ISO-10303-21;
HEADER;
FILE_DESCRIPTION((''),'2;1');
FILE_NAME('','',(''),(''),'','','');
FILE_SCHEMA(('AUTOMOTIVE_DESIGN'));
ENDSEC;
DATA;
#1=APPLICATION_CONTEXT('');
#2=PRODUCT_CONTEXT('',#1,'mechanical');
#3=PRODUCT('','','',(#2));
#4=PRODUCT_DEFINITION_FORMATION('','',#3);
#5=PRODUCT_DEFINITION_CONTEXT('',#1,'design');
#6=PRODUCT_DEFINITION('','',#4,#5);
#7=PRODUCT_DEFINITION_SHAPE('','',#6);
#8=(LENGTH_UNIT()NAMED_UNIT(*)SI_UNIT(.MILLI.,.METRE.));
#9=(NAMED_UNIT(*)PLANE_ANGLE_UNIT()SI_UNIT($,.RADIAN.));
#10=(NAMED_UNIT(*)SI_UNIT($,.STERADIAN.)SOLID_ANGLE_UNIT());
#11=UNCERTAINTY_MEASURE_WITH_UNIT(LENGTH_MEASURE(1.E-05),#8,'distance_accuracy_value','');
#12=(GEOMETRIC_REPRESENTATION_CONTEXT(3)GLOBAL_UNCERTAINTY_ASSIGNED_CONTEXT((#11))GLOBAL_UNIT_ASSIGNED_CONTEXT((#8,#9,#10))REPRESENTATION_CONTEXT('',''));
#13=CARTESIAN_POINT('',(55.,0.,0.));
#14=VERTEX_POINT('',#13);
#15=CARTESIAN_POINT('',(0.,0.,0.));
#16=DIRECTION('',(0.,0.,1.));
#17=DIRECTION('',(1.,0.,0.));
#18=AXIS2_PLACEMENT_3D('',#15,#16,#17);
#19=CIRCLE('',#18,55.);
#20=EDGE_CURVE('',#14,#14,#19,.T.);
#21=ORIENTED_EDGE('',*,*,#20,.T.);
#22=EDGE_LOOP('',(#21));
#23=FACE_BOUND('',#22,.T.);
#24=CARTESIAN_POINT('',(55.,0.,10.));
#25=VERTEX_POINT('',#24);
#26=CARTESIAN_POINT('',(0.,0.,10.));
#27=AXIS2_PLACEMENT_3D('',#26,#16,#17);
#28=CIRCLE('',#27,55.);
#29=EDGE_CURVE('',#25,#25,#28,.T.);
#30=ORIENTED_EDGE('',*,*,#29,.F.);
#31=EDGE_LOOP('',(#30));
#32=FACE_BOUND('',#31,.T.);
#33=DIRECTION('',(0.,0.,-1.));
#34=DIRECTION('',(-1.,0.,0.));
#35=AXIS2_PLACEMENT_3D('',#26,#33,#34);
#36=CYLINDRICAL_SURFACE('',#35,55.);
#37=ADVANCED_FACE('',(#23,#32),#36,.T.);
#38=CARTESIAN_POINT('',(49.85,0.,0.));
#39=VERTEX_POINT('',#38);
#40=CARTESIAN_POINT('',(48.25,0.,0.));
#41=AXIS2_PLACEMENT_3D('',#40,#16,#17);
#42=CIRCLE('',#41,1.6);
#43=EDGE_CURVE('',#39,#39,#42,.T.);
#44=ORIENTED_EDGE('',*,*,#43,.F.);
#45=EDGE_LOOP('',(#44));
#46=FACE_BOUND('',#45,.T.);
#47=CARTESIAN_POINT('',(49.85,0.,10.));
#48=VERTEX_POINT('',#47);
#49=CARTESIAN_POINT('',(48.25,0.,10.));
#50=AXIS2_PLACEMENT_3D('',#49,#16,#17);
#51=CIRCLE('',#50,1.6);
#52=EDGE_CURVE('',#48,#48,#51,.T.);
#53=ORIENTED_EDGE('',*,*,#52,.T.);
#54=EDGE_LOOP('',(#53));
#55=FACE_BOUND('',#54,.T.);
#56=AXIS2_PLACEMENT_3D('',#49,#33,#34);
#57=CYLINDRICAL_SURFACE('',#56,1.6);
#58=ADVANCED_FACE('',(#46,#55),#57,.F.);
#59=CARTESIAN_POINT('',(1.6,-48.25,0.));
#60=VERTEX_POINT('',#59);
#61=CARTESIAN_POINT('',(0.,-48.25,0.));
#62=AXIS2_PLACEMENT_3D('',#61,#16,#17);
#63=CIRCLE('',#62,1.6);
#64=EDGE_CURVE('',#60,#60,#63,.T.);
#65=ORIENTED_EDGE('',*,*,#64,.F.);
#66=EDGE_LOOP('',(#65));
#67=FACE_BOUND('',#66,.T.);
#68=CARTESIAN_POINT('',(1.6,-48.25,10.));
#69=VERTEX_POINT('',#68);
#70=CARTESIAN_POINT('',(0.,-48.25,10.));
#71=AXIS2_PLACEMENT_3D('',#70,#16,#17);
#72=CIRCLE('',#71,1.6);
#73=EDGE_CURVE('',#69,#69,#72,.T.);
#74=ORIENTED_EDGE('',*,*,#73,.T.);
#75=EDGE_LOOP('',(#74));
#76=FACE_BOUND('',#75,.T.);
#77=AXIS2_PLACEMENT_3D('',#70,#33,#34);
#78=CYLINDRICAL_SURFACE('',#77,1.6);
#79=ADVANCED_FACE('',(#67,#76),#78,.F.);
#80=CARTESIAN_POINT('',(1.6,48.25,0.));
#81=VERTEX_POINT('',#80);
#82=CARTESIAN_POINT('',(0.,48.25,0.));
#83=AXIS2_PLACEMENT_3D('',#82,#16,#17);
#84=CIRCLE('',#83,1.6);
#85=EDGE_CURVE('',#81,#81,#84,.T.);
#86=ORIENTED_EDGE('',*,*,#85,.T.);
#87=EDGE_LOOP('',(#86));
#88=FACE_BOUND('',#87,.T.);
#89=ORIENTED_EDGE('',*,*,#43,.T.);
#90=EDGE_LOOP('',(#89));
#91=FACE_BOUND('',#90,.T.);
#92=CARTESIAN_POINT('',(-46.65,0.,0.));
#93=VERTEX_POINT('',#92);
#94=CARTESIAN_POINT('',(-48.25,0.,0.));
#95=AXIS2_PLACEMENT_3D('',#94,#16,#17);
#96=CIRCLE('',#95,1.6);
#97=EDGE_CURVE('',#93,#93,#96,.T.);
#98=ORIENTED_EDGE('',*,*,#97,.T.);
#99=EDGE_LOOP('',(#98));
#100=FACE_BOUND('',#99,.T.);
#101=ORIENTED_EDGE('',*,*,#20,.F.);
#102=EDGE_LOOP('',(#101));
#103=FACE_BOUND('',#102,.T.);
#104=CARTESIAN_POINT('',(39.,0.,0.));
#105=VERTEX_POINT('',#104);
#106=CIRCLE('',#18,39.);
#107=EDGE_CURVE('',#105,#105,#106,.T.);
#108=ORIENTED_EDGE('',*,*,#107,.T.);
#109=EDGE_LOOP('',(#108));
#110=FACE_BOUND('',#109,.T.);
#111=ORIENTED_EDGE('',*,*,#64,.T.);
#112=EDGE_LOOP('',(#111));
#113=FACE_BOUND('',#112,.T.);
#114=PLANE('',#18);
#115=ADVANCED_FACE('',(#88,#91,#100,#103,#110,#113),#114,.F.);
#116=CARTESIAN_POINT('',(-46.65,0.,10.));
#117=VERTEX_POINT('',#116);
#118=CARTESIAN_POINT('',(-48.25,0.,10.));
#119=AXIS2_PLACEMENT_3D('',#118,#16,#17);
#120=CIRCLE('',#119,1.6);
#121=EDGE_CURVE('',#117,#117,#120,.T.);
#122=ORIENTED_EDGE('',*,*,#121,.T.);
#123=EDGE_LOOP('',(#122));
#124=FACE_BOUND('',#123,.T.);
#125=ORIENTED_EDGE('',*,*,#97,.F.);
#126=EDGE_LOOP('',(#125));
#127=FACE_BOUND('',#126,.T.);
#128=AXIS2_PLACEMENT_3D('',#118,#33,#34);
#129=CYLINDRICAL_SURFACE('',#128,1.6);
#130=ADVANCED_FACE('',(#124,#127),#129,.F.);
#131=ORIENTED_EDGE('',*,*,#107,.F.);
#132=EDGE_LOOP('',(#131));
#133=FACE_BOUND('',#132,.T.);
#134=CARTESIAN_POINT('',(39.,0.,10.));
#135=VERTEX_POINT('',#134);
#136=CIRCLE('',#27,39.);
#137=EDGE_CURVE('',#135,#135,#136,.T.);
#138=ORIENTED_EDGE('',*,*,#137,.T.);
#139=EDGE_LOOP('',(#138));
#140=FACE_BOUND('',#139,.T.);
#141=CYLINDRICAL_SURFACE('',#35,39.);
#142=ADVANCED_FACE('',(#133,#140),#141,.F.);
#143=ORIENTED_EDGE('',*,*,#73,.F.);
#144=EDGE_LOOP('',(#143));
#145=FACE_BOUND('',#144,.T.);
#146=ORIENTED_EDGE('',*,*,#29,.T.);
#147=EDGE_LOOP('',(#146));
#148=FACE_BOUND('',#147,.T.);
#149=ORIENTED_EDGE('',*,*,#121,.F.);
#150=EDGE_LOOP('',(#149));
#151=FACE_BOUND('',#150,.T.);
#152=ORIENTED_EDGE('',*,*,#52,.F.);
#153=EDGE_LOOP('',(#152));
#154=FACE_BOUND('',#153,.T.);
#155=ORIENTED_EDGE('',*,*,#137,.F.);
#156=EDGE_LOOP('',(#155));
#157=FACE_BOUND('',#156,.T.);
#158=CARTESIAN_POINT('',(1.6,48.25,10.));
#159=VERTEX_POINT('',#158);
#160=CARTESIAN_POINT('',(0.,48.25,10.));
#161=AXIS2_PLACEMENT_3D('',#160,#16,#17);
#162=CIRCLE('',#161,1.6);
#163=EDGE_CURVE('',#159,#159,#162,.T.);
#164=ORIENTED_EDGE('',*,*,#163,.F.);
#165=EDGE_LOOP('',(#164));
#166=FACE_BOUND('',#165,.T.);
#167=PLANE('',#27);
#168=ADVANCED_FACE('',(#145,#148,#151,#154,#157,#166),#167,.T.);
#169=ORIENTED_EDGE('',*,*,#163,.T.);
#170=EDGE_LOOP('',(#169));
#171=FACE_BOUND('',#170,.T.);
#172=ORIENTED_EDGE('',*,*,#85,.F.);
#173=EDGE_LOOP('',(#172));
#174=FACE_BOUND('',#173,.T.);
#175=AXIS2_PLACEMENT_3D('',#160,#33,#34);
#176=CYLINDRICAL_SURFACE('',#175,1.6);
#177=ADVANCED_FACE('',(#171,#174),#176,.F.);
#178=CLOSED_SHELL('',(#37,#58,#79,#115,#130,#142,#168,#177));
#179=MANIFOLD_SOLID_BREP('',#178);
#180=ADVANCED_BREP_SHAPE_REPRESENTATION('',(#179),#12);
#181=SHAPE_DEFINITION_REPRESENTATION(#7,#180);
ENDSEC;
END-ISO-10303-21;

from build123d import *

# Parameters (mm, degrees)
SKETCH1_R           = 55
SKETCH1_R_2         = 39
SKETCH1_R_3         = 1.6
BOSS_EXTRUDE1_DEPTH = 10


with BuildPart() as part:
    # Sketch1 → Boss-Extrude1 (new body)
    with BuildSketch(Plane.XY):
        Circle(SKETCH1_R)
        Circle(SKETCH1_R_2, mode=Mode.SUBTRACT)
        with Locations((0, 48.25)):
            Circle(SKETCH1_R_3, mode=Mode.SUBTRACT)
        with Locations((48.25, 0)):
            Circle(SKETCH1_R_3, mode=Mode.SUBTRACT)
        with Locations((0, -48.25)):
            Circle(SKETCH1_R_3, mode=Mode.SUBTRACT)
        with Locations((-48.25, 0)):
            Circle(SKETCH1_R_3, mode=Mode.SUBTRACT)
    extrude(amount=BOSS_EXTRUDE1_DEPTH)


solid = part.part
